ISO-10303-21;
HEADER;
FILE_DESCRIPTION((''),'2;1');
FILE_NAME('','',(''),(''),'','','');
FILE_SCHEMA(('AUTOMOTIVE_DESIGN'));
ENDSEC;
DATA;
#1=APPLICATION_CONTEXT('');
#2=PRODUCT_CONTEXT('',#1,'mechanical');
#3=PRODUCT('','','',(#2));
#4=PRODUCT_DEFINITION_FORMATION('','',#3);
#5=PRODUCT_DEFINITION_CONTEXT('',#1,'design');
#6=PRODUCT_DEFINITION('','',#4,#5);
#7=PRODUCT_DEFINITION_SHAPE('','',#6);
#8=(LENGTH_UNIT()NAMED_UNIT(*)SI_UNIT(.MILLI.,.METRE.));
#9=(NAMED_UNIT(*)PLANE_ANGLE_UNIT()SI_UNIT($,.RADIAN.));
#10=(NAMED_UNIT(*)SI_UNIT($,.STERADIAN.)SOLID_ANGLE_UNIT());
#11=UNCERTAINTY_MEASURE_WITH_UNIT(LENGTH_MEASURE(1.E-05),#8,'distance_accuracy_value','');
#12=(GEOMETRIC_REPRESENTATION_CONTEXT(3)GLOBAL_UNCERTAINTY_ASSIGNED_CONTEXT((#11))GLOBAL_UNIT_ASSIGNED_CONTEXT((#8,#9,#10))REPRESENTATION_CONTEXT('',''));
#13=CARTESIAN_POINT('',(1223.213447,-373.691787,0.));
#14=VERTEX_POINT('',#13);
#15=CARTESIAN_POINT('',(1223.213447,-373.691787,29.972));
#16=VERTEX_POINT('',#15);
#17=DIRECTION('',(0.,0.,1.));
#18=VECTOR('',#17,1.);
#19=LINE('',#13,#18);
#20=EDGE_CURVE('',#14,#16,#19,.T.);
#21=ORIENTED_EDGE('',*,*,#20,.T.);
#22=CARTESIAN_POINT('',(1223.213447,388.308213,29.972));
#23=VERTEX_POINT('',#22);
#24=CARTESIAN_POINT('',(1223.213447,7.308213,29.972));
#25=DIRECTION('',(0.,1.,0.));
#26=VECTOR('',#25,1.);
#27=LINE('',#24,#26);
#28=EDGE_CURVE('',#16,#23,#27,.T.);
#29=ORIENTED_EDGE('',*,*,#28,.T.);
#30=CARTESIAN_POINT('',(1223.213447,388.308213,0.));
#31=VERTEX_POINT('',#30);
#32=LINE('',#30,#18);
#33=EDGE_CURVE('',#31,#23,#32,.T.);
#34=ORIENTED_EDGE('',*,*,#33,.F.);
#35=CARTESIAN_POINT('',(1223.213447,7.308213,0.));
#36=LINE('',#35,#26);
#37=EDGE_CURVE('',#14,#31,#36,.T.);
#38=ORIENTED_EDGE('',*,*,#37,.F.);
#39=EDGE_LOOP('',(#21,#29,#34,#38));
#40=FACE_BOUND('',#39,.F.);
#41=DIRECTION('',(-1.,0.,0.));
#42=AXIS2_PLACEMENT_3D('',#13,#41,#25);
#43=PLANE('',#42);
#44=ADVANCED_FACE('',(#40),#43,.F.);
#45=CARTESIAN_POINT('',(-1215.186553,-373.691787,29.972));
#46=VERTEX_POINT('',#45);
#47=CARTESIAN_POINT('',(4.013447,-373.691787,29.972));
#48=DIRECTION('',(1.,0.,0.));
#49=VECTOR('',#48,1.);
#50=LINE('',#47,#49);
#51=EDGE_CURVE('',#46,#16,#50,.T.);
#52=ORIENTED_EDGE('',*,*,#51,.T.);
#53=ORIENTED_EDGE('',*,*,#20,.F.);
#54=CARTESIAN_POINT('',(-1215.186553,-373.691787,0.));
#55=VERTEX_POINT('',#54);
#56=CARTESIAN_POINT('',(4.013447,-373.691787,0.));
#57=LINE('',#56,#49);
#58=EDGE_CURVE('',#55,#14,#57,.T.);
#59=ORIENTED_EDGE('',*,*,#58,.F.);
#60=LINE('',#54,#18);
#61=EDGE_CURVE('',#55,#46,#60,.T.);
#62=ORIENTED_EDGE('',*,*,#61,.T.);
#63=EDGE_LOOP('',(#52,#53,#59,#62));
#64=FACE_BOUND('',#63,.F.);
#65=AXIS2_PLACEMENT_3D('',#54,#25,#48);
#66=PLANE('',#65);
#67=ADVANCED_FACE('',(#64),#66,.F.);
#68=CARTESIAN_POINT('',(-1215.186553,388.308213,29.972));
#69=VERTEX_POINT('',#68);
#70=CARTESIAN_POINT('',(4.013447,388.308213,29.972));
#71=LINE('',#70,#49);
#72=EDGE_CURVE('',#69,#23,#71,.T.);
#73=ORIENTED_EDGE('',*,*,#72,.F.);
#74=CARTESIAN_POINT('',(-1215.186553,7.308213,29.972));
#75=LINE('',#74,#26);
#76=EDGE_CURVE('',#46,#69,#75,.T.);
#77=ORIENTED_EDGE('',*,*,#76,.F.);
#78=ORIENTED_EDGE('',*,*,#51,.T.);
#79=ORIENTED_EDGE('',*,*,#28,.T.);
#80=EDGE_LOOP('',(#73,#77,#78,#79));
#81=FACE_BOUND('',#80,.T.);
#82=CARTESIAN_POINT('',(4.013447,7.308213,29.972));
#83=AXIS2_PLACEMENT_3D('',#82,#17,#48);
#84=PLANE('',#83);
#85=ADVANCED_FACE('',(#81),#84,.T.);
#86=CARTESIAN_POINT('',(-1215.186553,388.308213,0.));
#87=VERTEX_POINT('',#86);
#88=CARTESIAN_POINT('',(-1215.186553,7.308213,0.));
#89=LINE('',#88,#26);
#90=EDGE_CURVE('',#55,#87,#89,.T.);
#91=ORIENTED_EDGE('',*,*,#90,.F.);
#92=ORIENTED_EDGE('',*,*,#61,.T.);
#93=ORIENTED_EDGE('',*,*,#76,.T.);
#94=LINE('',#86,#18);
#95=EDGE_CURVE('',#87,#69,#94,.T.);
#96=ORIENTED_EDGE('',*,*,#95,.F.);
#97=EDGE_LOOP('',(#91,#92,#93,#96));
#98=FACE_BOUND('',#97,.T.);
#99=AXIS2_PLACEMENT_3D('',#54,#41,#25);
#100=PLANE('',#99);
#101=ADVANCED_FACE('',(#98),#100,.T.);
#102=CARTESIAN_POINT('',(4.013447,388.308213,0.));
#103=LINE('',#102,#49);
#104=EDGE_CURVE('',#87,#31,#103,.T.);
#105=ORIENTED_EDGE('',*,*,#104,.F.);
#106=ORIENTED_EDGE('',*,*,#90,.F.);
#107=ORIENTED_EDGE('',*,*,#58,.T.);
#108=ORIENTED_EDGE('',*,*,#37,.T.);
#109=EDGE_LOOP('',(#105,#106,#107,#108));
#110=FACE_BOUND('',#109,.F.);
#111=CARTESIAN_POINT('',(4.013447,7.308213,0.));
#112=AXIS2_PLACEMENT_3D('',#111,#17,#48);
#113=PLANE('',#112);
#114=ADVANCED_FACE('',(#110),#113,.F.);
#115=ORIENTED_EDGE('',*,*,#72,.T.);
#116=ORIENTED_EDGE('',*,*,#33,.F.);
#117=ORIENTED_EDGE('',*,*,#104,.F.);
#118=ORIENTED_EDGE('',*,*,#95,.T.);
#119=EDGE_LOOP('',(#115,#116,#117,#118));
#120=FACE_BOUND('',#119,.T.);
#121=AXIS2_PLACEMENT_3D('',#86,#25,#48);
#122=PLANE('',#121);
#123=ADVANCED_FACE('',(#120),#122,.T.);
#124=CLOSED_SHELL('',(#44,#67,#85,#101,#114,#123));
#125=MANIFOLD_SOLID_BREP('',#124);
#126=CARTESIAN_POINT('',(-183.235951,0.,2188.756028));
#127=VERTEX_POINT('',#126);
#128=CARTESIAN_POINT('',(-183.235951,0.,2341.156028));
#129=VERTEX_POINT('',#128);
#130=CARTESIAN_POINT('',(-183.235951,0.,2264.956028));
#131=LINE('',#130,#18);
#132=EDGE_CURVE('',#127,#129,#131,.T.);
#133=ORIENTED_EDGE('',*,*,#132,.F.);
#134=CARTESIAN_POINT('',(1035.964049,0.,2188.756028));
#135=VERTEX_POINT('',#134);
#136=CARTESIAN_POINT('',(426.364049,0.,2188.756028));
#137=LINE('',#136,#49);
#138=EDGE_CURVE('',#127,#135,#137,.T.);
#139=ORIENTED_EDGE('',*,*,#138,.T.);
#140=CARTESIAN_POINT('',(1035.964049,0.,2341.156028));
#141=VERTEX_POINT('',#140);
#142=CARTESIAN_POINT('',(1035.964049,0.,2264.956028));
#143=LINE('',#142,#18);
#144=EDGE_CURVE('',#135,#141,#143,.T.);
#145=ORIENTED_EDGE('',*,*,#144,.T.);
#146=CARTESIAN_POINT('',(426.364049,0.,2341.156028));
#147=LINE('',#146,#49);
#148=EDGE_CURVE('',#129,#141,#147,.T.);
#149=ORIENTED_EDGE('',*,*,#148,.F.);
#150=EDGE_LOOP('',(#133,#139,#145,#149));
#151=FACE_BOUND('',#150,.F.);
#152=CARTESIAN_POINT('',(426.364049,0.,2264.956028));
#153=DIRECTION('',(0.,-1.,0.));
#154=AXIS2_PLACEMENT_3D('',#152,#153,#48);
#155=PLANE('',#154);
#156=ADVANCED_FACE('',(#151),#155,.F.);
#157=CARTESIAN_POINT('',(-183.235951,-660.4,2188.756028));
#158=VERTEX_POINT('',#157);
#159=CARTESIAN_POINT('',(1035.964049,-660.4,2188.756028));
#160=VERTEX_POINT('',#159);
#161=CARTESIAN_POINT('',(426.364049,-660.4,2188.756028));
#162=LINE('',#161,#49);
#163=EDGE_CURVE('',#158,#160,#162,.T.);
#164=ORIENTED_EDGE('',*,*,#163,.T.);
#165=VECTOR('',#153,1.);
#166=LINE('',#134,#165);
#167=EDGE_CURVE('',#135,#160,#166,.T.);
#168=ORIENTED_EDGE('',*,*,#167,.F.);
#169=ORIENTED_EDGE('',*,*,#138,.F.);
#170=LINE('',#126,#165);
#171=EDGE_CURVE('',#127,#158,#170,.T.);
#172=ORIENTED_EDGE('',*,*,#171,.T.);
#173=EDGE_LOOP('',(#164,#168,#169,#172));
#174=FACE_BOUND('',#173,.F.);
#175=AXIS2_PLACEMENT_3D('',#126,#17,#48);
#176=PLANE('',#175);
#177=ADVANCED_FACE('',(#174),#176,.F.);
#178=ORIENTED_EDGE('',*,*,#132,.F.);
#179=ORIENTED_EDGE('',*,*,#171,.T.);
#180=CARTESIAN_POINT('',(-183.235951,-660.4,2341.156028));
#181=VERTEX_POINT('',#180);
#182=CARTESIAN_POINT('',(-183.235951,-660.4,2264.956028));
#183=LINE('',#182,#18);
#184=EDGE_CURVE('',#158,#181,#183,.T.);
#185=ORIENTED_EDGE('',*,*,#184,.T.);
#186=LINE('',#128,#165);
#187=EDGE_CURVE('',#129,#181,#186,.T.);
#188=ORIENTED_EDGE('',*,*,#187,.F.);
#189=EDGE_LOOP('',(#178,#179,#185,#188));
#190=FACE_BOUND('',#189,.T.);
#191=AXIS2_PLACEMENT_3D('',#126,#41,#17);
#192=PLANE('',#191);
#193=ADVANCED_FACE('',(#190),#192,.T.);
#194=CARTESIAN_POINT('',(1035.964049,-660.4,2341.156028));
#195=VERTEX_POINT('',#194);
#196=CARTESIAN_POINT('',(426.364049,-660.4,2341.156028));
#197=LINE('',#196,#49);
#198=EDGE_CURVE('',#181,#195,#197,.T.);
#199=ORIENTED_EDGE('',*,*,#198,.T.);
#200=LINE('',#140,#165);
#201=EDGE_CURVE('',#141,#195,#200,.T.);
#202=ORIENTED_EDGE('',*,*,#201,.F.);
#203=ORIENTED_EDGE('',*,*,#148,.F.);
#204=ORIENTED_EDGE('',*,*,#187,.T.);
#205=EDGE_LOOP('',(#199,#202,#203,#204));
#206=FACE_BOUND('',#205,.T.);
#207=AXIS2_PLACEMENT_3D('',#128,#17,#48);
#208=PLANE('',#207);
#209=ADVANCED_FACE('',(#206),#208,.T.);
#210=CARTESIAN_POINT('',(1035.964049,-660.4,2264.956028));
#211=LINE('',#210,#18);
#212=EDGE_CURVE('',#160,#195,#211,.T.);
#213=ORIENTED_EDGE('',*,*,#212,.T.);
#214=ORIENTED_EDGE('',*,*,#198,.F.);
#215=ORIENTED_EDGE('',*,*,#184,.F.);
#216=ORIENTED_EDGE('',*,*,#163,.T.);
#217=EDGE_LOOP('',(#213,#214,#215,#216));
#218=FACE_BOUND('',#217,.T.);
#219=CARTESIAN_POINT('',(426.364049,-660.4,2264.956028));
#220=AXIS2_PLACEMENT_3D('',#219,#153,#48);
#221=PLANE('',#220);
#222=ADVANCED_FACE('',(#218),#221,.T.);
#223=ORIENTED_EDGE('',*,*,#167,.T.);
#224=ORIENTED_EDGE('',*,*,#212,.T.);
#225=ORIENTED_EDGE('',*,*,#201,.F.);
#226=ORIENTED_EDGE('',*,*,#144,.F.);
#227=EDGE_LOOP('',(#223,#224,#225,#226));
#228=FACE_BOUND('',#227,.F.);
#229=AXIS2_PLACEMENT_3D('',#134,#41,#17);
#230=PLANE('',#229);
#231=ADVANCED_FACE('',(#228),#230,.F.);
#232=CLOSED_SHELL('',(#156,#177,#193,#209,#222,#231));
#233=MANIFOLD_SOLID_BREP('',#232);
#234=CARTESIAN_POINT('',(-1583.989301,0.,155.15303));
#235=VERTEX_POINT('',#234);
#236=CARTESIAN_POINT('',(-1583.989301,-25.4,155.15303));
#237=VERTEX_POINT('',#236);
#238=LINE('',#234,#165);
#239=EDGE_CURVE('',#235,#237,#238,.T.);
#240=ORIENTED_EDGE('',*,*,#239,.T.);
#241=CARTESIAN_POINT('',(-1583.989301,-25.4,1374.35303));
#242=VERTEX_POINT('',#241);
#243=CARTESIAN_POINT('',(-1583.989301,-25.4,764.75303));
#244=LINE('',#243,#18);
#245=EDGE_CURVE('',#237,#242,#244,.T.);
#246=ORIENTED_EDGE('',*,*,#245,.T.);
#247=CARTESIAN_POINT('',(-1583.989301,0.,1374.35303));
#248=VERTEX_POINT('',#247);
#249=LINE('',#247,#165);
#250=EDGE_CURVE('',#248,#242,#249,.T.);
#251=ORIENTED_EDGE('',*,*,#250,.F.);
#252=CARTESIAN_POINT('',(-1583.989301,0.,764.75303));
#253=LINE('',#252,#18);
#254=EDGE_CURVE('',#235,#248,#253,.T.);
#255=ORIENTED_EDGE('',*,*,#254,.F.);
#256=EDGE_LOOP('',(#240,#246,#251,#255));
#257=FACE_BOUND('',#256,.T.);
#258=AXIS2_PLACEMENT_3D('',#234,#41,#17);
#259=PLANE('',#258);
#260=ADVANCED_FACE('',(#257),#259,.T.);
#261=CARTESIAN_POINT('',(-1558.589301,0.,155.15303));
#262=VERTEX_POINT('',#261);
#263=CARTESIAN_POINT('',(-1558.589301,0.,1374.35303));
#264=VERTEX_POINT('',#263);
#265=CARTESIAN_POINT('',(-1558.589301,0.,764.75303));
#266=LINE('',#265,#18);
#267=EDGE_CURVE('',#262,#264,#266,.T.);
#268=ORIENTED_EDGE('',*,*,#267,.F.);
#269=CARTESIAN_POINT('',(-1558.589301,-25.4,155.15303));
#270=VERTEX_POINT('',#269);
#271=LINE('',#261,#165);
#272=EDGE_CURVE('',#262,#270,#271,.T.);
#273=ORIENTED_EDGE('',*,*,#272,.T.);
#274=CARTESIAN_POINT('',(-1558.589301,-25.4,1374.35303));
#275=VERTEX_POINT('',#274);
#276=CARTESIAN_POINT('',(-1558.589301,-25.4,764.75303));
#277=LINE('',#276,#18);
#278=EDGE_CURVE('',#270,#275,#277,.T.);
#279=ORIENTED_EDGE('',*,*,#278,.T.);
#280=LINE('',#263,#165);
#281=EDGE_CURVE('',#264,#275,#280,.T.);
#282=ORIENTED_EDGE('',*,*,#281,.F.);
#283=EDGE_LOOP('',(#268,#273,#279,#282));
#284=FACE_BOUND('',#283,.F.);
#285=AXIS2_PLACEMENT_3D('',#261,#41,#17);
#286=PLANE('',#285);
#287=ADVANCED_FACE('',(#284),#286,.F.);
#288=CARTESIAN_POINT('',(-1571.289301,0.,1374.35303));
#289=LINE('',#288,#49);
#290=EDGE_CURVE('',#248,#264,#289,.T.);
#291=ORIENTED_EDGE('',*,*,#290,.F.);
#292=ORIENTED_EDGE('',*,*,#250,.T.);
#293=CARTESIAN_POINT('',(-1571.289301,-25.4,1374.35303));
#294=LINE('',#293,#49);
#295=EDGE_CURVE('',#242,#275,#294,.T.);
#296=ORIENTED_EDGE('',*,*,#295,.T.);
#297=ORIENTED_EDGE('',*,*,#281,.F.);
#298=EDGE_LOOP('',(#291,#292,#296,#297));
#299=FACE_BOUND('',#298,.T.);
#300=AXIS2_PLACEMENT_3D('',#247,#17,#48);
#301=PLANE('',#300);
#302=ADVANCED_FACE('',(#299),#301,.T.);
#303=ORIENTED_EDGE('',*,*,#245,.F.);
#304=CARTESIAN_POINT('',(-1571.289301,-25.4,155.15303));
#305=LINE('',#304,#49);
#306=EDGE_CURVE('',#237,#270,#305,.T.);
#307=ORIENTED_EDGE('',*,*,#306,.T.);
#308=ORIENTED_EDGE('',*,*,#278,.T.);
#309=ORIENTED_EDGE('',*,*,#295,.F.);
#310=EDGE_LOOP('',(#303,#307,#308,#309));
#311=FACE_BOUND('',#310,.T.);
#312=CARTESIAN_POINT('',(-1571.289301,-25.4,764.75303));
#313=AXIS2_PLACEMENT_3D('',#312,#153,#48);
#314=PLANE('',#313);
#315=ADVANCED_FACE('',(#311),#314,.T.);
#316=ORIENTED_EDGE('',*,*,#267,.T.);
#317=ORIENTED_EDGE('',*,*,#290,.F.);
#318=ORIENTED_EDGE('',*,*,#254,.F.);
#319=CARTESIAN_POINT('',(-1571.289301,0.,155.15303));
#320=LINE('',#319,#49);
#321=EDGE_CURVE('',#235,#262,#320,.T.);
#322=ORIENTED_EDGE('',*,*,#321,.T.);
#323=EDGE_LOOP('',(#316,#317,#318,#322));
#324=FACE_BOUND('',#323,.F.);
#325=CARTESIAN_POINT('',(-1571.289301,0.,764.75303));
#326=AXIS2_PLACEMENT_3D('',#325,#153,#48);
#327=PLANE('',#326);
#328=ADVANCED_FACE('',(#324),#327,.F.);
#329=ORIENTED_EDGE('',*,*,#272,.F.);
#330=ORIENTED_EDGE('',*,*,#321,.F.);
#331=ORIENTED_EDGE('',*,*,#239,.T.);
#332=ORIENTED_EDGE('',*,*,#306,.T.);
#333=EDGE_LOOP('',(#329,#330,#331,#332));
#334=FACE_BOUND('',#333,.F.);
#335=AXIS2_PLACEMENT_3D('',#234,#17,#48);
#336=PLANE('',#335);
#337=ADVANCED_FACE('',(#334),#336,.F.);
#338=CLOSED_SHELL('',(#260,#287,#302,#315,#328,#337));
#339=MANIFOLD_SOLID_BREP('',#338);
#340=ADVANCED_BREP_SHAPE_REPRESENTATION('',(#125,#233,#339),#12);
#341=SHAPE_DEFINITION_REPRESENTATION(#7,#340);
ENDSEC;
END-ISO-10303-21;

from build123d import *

# Parameters (mm, degrees)
F0_W     = 2438.4
F0_H     = 762
F1_DEPTH = 29.972
F2_W     = 153.752804
F2_H     = 446.217656
F3_DEPTH = 25.4
F5_W     = 25.4
F5_H     = 1219.2
F6_DEPTH = 25.4
F7_W     = 1219.2
F7_H     = 152.4
F8_DEPTH = 660.4


with BuildPart() as f1:
    # F0 (on Top) → F1 (new body)
    with BuildSketch(Plane.XY):
        with Locations((4.013447, 7.308213)):
            Rectangle(F0_W, F0_H)
    extrude(amount=F1_DEPTH)


with BuildPart() as f3:
    # F2 (on Front) → F3 (new body)
    with BuildSketch(Plane.XZ):
        with Locations((-1692.282081, 223.108828)):
            Rectangle(F2_W, F2_H)
    extrude(amount=F3_DEPTH)


with BuildPart() as f6:
    # F5 (on Front) → F6 (new body)
    with BuildSketch(Plane.XZ):
        with Locations((-1571.289301, 764.75303)):
            Rectangle(F5_W, F5_H)
    extrude(amount=F6_DEPTH)


with BuildPart() as f8:
    # F7 (on Front) → F8 (new body)
    with BuildSketch(Plane.XZ):
        with Locations((426.364049, 2264.956028)):
            Rectangle(F7_W, F7_H)
    extrude(amount=F8_DEPTH)


solid = Compound([f1.part, f6.part, f8.part])
